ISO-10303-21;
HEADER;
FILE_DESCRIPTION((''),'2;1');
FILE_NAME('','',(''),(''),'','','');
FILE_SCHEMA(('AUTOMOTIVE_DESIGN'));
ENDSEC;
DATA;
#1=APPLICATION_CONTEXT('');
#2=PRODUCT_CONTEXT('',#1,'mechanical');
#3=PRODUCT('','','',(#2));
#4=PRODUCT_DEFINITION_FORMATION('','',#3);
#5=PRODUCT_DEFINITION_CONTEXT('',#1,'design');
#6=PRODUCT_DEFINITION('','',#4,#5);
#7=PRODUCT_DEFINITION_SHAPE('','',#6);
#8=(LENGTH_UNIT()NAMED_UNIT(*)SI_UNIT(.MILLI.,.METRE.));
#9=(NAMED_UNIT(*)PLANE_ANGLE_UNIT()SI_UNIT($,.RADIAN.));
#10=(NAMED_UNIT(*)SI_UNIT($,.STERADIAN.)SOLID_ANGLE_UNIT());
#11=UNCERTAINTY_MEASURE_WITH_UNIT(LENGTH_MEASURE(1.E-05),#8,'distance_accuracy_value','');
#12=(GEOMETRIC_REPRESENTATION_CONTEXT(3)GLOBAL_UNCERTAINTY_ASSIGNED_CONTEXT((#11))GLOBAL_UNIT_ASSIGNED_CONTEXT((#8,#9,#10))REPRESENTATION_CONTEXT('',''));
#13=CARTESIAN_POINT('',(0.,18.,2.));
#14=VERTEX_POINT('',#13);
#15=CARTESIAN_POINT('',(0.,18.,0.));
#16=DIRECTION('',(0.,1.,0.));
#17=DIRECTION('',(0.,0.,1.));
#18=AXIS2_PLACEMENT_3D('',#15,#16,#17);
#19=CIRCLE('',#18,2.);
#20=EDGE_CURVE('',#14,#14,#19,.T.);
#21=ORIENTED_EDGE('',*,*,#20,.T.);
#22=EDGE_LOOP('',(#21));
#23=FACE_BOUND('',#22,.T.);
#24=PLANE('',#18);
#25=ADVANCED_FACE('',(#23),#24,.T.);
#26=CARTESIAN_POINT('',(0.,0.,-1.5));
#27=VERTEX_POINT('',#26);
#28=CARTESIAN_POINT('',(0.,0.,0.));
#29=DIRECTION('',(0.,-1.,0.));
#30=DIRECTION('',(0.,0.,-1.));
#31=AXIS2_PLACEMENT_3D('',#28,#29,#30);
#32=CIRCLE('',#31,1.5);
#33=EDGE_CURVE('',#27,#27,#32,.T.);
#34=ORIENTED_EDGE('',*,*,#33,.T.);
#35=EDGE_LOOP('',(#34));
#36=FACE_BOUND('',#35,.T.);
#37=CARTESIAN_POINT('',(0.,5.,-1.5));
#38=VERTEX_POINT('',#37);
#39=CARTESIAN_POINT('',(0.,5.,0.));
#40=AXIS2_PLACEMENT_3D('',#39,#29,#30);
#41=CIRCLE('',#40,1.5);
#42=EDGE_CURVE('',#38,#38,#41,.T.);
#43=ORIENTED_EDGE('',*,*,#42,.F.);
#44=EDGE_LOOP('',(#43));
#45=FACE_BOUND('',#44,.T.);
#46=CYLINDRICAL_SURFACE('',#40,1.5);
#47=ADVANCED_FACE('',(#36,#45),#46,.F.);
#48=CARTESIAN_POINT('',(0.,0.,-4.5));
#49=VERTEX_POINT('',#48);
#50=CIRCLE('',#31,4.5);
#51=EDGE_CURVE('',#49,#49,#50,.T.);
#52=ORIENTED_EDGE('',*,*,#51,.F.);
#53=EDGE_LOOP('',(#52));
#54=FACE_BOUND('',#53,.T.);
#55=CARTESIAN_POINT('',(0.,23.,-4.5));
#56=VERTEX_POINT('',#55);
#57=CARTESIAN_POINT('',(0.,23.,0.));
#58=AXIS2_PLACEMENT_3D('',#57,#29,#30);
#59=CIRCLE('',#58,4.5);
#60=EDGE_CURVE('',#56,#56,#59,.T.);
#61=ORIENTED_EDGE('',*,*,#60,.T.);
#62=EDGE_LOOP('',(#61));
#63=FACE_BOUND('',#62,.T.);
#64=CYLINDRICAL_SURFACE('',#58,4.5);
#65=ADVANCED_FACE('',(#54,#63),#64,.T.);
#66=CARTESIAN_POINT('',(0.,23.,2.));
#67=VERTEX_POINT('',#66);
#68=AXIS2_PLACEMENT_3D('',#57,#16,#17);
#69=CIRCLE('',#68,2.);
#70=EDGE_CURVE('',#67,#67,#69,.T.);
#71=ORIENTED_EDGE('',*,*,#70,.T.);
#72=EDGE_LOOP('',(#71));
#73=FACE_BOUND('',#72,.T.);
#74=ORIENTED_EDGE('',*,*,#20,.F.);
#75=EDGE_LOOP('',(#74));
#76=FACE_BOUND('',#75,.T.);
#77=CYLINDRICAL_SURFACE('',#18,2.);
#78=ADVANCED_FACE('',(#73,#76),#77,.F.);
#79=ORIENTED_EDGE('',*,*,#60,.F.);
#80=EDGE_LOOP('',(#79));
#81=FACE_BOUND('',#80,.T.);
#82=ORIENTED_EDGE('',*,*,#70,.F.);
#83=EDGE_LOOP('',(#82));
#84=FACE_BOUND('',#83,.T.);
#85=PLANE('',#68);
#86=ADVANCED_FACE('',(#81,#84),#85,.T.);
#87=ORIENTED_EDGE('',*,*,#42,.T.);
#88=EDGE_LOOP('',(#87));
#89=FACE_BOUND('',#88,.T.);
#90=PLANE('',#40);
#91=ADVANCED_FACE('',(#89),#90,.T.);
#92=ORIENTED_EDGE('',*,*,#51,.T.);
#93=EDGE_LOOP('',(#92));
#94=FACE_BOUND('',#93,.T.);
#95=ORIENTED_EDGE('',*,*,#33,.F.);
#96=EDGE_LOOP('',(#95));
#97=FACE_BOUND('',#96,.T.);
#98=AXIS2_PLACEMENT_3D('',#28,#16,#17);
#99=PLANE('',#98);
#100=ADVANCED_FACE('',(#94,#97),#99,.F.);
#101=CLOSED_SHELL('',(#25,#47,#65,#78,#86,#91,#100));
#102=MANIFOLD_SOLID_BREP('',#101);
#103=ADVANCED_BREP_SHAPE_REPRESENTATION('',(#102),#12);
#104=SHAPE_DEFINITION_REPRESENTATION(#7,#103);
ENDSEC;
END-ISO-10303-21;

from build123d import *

# Parameters (mm, degrees)
ESQUISSE1_R             = 9
BOSS_EXTRU_1_DEPTH      = 23
ESQUISSE2_R             = 9
ESQUISSE2_R_2           = 4.5
ENL_V_MAT_EXTRU_2_DEPTH = 27.286878856
ESQUISSE3_R             = 1.5
ENL_V_MAT_EXTRU_3_DEPTH = 5
ESQUISSE4_R             = 2
ENL_V_MAT_EXTRU_4_DEPTH = 5


with BuildPart() as part:
    # Esquisse1 → Boss.-Extru.1 (new body)
    with BuildSketch(Plane(origin=(0, 0, 0), x_dir=(1, 0, 0), z_dir=(0, 1, 0))):
        with Locations(Location((0, 0, 0), (0, 0, 270))):
            Circle(ESQUISSE1_R)
    extrude(amount=BOSS_EXTRU_1_DEPTH)

    # Esquisse2 → Enlèv. mat.-Extru.2 (cut, through all)
    with BuildSketch(Plane(origin=(0, 0, 0), x_dir=(-1, 0, 0), z_dir=(0, -1, 0))):
        Circle(ESQUISSE2_R)
        with Locations(Location((0, 0, 0), (0, 0, 90))):
            Circle(ESQUISSE2_R_2, mode=Mode.SUBTRACT)
    extrude(amount=-ENL_V_MAT_EXTRU_2_DEPTH, mode=Mode.SUBTRACT)

    # Esquisse3 → Enlèv. mat.-Extru.3 (cut)
    with BuildSketch(Plane(origin=(0, 0, 0), x_dir=(-1, 0, 0), z_dir=(0, -1, 0))):
        with Locations(Location((0, 0, 0), (0, 0, 90))):
            Circle(ESQUISSE3_R)
    extrude(amount=-ENL_V_MAT_EXTRU_3_DEPTH, mode=Mode.SUBTRACT)

    # Esquisse4 → Enlèv. mat.-Extru.4 (cut)
    with BuildSketch(Plane(origin=(0, 23, 0), x_dir=(1, 0, 0), z_dir=(0, 1, 0))):
        with Locations(Location((0, 0, 0), (0, 0, 270))):
            Circle(ESQUISSE4_R)
    extrude(amount=-ENL_V_MAT_EXTRU_4_DEPTH, mode=Mode.SUBTRACT)


solid = part.part
